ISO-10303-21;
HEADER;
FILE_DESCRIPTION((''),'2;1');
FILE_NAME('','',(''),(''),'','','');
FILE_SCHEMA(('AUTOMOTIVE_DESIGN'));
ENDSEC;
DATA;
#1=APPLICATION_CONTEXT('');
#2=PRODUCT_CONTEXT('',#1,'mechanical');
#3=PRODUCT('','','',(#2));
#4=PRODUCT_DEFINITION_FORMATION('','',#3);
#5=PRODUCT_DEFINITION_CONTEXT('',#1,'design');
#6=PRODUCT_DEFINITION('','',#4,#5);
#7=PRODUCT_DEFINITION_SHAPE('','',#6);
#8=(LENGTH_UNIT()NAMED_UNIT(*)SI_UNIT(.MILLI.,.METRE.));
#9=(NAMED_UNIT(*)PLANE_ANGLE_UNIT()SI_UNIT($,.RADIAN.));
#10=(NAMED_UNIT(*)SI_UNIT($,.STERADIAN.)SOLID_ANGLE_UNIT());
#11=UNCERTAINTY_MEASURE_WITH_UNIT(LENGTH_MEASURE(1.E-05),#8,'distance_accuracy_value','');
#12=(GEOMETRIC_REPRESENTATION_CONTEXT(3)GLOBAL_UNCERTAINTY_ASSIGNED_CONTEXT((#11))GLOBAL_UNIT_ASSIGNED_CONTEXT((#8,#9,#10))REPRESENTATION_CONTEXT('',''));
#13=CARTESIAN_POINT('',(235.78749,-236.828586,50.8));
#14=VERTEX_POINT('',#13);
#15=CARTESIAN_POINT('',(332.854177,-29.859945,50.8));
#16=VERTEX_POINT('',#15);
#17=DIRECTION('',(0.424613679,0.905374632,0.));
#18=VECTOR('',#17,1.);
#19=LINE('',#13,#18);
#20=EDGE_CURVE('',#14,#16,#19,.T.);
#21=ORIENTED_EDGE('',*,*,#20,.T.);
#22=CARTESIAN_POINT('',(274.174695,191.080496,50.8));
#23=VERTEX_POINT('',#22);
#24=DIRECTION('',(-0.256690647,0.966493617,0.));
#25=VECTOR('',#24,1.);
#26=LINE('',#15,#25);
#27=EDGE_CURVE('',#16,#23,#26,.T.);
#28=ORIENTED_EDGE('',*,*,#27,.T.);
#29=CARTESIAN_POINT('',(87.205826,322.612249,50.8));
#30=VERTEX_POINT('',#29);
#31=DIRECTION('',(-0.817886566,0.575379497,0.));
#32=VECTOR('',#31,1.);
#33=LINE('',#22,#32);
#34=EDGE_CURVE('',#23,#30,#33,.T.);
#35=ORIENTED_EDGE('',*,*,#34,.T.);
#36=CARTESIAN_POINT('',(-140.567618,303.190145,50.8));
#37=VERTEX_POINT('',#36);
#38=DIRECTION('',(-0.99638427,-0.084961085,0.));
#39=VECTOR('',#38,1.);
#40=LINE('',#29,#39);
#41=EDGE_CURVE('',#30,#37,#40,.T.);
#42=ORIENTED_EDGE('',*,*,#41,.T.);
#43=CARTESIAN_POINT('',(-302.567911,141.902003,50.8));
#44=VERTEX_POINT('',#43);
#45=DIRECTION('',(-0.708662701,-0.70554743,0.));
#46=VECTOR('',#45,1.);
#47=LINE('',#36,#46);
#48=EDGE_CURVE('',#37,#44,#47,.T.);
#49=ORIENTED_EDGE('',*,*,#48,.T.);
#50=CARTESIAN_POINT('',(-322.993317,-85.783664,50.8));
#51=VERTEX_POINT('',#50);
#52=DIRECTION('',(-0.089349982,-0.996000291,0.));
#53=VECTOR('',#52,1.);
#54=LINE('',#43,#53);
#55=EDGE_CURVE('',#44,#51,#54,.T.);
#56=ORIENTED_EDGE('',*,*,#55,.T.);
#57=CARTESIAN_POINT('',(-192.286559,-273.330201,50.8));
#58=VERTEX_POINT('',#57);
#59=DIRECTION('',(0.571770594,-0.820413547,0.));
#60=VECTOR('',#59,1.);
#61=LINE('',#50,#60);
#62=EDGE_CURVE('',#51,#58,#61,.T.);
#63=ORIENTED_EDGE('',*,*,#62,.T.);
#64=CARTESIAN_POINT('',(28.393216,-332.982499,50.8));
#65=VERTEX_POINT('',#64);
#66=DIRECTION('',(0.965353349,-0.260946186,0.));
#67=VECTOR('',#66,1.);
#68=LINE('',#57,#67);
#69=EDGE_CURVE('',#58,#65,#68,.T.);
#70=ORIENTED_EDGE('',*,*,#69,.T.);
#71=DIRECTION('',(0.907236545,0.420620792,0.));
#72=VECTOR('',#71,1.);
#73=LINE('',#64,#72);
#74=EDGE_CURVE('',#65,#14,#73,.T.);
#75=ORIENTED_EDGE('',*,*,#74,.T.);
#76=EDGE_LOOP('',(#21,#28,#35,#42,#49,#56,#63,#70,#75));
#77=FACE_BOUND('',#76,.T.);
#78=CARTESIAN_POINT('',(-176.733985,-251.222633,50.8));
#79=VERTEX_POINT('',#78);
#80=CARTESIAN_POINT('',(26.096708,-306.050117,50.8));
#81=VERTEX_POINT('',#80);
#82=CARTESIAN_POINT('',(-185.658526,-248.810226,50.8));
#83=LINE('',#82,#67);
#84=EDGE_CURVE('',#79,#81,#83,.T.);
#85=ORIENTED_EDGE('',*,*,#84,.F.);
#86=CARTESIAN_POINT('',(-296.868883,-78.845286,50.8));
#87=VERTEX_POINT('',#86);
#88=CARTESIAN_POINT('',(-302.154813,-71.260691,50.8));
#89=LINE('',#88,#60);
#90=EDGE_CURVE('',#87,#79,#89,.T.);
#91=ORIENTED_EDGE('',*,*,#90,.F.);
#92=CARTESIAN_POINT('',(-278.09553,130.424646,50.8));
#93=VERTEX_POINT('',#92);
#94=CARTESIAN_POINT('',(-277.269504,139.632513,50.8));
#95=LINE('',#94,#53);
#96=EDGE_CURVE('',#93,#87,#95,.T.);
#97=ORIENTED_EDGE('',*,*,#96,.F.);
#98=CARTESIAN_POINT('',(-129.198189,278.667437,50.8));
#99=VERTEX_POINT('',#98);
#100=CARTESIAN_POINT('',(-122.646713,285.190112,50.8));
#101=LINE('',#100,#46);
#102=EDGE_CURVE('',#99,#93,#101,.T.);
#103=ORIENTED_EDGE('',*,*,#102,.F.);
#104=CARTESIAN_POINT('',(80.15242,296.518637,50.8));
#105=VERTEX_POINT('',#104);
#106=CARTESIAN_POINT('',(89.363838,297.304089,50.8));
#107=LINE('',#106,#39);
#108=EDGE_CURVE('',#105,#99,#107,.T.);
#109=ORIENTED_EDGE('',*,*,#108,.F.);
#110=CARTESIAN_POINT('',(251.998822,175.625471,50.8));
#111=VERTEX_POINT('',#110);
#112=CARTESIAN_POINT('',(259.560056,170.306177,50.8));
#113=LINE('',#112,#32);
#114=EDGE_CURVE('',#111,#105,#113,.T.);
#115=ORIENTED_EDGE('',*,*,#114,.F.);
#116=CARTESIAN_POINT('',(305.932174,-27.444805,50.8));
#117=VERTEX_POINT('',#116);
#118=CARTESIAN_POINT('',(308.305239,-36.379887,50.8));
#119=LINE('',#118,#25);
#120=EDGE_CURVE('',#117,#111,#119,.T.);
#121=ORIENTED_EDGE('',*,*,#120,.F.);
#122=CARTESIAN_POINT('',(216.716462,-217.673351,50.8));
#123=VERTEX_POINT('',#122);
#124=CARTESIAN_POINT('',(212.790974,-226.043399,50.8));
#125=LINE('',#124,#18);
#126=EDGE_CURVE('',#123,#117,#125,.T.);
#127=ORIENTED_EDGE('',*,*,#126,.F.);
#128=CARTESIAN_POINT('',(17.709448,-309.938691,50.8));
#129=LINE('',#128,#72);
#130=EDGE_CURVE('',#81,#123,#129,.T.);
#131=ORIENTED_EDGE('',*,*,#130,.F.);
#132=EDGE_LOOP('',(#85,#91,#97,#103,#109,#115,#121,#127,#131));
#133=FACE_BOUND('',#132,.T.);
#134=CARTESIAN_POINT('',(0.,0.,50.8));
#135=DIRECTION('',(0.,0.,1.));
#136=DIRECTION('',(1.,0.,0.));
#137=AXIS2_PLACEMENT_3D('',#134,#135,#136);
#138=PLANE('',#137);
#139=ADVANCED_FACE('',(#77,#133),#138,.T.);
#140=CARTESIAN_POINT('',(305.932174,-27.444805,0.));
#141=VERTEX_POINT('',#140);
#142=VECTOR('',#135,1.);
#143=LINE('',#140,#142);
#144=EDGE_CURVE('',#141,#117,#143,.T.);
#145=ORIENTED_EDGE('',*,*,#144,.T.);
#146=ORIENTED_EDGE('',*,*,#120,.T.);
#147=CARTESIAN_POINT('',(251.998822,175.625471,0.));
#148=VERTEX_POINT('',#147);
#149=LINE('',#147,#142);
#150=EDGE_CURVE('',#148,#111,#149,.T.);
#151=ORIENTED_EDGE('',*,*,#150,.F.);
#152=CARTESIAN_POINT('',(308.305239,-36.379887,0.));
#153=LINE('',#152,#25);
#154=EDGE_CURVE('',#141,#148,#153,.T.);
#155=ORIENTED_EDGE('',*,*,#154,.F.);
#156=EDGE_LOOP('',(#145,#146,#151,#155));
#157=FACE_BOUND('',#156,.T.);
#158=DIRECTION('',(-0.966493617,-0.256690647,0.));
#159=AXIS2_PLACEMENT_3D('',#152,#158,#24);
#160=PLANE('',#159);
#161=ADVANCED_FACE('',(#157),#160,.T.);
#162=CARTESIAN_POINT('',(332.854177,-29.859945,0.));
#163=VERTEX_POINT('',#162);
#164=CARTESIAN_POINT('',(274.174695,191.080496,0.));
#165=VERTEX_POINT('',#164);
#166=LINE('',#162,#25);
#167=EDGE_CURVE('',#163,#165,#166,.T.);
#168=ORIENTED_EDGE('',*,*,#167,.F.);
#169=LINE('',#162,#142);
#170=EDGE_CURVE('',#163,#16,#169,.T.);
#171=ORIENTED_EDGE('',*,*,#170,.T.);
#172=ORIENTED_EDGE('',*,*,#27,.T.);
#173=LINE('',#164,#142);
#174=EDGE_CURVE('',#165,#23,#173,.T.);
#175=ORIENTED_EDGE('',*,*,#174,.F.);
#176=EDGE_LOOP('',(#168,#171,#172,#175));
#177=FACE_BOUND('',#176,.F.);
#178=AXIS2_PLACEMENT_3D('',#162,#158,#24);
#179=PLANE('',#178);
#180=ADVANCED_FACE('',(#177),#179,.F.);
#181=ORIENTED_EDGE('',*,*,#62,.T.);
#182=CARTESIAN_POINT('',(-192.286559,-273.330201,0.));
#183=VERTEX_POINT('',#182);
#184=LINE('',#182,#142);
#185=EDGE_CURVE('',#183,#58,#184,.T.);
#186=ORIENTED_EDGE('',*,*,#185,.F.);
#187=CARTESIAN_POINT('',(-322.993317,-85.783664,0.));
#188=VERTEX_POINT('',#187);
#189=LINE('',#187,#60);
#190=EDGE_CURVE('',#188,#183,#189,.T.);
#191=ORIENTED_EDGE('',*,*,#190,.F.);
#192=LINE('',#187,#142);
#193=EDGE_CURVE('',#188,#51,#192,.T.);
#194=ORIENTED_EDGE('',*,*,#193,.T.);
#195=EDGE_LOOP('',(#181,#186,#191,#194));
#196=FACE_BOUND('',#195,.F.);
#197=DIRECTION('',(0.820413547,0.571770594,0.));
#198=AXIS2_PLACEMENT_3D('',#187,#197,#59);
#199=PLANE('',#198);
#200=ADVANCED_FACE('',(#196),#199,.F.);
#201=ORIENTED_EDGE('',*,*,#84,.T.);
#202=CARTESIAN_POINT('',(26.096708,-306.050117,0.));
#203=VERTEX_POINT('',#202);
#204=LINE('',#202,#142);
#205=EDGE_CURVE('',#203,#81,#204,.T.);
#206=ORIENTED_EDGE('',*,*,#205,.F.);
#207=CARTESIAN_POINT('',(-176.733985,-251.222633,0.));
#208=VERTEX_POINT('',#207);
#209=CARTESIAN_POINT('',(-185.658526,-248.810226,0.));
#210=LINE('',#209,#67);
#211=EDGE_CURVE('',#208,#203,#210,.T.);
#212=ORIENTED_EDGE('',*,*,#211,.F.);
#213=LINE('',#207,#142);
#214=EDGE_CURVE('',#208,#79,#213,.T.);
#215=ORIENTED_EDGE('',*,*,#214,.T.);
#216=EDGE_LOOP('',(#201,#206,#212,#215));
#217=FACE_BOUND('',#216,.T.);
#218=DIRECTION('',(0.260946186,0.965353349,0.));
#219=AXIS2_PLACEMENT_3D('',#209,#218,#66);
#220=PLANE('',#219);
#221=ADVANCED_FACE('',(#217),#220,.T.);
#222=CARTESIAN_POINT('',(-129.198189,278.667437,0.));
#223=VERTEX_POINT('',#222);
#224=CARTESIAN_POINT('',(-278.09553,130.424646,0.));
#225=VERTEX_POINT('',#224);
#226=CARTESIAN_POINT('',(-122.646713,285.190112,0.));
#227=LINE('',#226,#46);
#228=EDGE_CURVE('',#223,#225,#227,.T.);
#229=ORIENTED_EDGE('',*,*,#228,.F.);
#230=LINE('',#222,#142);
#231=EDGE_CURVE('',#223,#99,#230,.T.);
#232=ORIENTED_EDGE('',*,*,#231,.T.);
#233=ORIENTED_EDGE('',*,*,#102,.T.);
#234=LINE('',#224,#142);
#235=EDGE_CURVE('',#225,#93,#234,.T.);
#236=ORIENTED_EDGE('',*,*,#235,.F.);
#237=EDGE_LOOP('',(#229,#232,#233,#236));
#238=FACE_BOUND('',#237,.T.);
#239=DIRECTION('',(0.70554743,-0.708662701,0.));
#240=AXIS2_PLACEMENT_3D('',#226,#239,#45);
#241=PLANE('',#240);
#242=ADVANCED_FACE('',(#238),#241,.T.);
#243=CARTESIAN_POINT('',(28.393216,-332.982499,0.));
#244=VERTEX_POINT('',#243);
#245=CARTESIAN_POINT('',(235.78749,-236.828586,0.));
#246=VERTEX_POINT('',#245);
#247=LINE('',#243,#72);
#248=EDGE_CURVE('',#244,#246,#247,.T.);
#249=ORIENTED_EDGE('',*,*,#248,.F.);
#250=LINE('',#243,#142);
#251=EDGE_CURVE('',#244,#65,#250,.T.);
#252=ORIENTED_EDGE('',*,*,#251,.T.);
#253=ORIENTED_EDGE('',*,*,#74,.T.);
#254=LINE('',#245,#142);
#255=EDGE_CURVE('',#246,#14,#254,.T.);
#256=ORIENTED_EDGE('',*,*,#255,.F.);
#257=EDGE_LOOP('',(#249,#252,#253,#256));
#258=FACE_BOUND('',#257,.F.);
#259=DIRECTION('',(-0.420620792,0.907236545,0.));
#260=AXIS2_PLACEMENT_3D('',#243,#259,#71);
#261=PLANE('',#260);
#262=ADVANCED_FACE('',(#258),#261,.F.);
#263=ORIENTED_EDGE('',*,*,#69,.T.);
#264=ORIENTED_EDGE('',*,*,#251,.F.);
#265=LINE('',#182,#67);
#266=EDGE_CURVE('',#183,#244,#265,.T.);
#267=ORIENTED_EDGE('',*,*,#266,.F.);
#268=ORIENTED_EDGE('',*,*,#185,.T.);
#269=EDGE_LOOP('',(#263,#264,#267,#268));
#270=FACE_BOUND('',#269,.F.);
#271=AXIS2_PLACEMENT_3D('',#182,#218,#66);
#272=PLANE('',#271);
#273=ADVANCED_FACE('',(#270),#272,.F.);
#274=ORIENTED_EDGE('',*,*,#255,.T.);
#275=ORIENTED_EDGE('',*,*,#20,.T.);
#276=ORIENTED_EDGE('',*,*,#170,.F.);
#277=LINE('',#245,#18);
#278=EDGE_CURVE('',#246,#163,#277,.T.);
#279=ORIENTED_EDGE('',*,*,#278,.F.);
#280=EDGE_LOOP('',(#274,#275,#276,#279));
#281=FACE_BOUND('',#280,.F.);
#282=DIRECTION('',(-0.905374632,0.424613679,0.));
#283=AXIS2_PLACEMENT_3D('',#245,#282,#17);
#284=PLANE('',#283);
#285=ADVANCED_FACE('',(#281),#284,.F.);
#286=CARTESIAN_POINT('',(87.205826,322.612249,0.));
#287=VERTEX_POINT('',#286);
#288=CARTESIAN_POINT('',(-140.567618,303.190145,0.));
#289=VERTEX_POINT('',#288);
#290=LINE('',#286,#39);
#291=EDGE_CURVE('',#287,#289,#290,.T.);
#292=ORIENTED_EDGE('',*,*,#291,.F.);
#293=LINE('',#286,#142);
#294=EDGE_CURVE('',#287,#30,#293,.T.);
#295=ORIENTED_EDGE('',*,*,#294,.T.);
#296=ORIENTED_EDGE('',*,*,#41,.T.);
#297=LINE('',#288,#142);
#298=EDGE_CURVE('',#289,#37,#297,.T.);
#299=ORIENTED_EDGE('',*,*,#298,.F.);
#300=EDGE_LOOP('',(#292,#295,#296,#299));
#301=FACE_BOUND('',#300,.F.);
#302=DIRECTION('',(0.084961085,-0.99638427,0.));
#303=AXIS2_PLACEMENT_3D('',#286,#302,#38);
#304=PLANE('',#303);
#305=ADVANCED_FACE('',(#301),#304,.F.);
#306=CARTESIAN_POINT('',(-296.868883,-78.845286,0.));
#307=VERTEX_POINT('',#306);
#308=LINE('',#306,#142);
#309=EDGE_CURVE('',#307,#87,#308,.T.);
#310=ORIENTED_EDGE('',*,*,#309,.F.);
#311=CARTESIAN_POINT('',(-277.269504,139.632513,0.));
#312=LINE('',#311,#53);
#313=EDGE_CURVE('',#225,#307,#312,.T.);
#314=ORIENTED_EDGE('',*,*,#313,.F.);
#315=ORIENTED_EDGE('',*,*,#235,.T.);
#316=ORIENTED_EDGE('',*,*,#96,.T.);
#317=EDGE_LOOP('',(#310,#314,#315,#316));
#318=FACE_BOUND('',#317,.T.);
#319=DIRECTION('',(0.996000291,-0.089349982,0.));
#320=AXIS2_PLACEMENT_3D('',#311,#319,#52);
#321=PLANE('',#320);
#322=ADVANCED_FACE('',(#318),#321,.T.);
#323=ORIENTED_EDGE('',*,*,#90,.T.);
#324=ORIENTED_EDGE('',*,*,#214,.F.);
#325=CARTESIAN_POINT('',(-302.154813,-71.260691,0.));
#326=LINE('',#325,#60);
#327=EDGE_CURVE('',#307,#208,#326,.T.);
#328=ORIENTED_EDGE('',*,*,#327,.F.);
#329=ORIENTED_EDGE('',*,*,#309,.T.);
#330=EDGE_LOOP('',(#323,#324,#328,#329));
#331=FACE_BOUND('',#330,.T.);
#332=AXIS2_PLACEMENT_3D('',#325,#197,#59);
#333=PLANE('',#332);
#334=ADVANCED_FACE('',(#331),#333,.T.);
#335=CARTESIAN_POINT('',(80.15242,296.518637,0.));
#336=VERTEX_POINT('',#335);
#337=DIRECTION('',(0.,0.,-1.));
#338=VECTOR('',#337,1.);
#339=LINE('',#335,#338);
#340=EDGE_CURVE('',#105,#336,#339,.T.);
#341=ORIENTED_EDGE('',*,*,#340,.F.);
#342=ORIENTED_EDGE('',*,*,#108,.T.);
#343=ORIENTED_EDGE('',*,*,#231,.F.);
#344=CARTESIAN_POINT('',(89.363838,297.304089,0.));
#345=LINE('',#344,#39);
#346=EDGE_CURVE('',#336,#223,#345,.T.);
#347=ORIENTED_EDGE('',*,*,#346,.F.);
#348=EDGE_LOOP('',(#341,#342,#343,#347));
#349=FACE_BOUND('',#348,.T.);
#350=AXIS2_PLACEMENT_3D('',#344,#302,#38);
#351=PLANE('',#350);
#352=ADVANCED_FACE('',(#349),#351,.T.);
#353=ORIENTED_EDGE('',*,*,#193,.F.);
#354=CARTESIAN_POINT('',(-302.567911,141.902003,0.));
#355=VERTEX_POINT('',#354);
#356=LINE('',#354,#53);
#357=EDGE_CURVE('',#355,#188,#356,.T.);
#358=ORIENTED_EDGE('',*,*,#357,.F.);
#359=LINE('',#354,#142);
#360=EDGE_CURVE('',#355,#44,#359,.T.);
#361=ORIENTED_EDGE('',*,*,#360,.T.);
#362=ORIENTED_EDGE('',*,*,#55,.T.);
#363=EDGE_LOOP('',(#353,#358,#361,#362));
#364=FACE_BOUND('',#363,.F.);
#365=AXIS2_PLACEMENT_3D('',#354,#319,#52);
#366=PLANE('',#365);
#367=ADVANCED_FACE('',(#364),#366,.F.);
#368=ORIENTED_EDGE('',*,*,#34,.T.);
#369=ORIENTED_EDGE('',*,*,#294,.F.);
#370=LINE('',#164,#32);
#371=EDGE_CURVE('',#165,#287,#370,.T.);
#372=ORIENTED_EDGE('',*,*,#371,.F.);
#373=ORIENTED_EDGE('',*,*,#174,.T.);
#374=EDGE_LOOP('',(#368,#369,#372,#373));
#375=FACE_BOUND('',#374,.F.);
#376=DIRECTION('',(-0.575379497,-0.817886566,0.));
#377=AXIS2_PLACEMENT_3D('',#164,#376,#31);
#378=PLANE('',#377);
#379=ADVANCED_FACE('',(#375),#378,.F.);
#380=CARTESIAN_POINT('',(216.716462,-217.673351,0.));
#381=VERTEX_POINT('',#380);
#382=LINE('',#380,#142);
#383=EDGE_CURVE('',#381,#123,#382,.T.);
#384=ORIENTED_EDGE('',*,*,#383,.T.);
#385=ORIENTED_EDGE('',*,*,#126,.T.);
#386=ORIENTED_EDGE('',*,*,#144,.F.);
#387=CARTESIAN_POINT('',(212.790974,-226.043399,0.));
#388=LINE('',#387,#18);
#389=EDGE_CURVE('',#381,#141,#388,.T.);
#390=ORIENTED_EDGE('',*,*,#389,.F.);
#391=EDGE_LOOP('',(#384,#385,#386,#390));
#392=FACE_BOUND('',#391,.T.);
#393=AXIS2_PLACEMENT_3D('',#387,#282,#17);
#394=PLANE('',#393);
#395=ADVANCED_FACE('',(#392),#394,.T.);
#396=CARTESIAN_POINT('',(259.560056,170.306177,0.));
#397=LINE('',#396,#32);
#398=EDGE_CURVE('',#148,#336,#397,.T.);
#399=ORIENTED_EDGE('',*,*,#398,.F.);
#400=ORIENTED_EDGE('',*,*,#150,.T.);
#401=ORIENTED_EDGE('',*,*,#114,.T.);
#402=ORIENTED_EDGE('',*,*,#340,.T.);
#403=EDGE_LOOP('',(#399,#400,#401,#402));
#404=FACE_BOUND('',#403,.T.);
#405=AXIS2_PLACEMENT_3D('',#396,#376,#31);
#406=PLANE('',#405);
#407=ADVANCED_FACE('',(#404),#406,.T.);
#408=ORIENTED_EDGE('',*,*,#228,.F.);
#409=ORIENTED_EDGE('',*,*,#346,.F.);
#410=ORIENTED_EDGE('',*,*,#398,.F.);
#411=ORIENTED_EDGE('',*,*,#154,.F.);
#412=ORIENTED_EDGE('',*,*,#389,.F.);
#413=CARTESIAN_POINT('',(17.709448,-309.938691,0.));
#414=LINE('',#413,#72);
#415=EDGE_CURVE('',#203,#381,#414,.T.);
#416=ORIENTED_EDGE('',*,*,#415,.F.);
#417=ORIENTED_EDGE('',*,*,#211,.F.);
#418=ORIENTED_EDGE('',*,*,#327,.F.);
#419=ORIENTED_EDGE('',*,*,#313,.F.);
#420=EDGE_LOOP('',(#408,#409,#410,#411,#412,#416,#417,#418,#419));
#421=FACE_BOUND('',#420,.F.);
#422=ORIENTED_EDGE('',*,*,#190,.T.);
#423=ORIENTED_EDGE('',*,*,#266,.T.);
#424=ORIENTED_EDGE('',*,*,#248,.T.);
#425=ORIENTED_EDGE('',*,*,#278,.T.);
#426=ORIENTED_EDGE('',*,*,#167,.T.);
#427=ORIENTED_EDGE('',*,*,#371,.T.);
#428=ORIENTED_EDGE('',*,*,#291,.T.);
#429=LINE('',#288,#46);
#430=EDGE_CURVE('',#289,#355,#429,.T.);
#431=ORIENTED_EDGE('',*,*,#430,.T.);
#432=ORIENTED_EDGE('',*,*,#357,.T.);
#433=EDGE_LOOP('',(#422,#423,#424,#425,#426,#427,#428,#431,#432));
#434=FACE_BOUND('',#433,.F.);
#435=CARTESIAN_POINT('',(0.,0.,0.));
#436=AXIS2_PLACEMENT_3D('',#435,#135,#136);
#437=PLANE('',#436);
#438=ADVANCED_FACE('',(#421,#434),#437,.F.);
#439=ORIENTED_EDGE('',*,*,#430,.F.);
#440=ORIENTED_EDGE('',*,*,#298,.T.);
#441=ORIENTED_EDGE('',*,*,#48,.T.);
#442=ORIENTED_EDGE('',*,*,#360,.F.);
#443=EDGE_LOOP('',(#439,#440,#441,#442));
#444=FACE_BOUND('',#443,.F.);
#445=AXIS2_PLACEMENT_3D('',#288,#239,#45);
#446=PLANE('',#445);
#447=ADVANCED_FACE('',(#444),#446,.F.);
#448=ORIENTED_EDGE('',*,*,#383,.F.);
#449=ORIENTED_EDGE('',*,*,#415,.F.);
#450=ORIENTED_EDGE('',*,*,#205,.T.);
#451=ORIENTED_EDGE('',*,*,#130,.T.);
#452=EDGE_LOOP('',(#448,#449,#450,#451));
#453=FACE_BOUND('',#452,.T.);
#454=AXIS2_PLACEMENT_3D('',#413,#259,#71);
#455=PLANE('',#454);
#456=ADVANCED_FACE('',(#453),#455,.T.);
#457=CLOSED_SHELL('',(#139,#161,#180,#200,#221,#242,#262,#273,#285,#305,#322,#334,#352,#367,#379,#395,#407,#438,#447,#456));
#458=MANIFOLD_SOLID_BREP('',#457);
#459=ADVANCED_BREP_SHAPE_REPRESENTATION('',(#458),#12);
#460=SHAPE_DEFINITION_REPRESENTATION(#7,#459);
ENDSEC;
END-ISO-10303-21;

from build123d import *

# Parameters (mm, degrees)
F1_DEPTH = 50.8
F2_T     = -25.4


with BuildPart() as f1:
    # F0 (on Top) → F1 (new body)
    with BuildSketch(Plane.XY):
        Polygon((87.205826, 322.612249), (-140.567618, 303.190145), (-302.567911, 141.902003), (-322.993317, -85.783664), (-192.286559, -273.330201), (28.393216, -332.982499), (235.78749, -236.828586), (332.854177, -29.859945), (274.174695, 191.080496), align=None)
    extrude(amount=F1_DEPTH)

    # F2
    f2_openings = [f1.faces().sort_by_distance(p)[0] for p in [
        (0, 0, 0),
        (0, 0, 50.8),
    ]]
    offset(amount=F2_T, openings=f2_openings)


solid = f1.part
